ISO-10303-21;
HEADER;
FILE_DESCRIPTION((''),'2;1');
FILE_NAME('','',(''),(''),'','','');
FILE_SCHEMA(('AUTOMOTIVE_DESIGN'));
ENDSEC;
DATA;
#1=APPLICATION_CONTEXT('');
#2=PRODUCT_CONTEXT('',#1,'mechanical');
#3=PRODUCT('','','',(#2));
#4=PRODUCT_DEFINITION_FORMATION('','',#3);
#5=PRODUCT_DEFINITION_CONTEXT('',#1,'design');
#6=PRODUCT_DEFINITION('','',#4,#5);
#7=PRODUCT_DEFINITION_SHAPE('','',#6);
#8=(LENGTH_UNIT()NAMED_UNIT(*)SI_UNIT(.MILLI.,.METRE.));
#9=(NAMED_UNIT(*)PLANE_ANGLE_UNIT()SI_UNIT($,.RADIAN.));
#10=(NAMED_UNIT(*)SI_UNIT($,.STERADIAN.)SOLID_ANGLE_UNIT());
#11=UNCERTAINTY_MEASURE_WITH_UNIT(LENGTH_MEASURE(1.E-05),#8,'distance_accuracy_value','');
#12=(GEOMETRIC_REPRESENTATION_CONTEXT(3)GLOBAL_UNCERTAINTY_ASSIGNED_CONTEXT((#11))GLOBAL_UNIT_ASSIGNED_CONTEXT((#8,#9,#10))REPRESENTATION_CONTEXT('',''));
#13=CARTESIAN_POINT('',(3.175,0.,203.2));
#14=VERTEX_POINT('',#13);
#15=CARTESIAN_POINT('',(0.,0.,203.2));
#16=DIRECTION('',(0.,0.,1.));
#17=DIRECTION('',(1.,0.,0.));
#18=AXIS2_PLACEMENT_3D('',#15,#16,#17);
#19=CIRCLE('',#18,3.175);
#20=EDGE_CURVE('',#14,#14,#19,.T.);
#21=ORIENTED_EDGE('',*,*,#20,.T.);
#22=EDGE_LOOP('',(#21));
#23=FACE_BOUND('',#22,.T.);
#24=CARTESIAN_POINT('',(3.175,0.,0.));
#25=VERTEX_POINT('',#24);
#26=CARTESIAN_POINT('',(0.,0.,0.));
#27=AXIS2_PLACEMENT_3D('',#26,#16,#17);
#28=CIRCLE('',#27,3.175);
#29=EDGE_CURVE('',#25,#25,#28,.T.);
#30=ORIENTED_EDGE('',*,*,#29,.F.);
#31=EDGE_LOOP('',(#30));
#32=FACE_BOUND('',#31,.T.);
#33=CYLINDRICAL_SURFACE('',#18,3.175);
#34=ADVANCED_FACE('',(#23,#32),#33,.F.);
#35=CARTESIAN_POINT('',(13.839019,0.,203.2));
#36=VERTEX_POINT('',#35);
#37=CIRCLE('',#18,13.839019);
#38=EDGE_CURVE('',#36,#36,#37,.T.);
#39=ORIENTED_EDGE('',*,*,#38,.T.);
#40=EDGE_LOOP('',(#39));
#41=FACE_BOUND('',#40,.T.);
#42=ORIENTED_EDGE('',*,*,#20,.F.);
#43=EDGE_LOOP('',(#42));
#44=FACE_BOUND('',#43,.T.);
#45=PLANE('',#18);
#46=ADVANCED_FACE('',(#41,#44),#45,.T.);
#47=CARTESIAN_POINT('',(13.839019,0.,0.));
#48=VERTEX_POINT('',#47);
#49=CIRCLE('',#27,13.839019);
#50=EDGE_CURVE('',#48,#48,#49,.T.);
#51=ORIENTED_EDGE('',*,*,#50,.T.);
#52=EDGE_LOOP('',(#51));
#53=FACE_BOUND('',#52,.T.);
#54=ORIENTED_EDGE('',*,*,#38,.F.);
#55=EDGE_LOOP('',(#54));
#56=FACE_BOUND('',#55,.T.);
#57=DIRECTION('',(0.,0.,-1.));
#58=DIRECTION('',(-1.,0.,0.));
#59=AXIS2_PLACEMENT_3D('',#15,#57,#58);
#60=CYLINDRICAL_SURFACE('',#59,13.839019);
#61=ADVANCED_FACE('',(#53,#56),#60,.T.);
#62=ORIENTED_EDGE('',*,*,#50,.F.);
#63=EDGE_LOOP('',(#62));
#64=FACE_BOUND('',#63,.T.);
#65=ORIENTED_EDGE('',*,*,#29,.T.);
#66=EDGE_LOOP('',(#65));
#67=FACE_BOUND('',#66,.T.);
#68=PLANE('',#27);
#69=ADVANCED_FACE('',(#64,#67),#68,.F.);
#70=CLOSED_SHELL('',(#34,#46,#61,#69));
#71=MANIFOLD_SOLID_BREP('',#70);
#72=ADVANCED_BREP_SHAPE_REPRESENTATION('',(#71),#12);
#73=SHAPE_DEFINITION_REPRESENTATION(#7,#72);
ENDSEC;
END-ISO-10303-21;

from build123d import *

# Parameters (mm, degrees)
SKETCH1_R                   = 13.839018653
BOSS_EXTRUDE1_DEPTH         = 203.2
F_1_4_0_25_DIAMETER_HOLE1_D = 6.35


with BuildPart() as part:
    # Sketch1 → Boss-Extrude1 (new body)
    with BuildSketch(Plane.XY):
        Circle(SKETCH1_R)
    extrude(amount=BOSS_EXTRUDE1_DEPTH)

    # 1/4 (0.25) Diameter Hole1 (through all)
    with Locations(Plane.XY.offset(203.2)):
        with Locations((0, 0)):
            Hole(F_1_4_0_25_DIAMETER_HOLE1_D / 2)


solid = part.part
